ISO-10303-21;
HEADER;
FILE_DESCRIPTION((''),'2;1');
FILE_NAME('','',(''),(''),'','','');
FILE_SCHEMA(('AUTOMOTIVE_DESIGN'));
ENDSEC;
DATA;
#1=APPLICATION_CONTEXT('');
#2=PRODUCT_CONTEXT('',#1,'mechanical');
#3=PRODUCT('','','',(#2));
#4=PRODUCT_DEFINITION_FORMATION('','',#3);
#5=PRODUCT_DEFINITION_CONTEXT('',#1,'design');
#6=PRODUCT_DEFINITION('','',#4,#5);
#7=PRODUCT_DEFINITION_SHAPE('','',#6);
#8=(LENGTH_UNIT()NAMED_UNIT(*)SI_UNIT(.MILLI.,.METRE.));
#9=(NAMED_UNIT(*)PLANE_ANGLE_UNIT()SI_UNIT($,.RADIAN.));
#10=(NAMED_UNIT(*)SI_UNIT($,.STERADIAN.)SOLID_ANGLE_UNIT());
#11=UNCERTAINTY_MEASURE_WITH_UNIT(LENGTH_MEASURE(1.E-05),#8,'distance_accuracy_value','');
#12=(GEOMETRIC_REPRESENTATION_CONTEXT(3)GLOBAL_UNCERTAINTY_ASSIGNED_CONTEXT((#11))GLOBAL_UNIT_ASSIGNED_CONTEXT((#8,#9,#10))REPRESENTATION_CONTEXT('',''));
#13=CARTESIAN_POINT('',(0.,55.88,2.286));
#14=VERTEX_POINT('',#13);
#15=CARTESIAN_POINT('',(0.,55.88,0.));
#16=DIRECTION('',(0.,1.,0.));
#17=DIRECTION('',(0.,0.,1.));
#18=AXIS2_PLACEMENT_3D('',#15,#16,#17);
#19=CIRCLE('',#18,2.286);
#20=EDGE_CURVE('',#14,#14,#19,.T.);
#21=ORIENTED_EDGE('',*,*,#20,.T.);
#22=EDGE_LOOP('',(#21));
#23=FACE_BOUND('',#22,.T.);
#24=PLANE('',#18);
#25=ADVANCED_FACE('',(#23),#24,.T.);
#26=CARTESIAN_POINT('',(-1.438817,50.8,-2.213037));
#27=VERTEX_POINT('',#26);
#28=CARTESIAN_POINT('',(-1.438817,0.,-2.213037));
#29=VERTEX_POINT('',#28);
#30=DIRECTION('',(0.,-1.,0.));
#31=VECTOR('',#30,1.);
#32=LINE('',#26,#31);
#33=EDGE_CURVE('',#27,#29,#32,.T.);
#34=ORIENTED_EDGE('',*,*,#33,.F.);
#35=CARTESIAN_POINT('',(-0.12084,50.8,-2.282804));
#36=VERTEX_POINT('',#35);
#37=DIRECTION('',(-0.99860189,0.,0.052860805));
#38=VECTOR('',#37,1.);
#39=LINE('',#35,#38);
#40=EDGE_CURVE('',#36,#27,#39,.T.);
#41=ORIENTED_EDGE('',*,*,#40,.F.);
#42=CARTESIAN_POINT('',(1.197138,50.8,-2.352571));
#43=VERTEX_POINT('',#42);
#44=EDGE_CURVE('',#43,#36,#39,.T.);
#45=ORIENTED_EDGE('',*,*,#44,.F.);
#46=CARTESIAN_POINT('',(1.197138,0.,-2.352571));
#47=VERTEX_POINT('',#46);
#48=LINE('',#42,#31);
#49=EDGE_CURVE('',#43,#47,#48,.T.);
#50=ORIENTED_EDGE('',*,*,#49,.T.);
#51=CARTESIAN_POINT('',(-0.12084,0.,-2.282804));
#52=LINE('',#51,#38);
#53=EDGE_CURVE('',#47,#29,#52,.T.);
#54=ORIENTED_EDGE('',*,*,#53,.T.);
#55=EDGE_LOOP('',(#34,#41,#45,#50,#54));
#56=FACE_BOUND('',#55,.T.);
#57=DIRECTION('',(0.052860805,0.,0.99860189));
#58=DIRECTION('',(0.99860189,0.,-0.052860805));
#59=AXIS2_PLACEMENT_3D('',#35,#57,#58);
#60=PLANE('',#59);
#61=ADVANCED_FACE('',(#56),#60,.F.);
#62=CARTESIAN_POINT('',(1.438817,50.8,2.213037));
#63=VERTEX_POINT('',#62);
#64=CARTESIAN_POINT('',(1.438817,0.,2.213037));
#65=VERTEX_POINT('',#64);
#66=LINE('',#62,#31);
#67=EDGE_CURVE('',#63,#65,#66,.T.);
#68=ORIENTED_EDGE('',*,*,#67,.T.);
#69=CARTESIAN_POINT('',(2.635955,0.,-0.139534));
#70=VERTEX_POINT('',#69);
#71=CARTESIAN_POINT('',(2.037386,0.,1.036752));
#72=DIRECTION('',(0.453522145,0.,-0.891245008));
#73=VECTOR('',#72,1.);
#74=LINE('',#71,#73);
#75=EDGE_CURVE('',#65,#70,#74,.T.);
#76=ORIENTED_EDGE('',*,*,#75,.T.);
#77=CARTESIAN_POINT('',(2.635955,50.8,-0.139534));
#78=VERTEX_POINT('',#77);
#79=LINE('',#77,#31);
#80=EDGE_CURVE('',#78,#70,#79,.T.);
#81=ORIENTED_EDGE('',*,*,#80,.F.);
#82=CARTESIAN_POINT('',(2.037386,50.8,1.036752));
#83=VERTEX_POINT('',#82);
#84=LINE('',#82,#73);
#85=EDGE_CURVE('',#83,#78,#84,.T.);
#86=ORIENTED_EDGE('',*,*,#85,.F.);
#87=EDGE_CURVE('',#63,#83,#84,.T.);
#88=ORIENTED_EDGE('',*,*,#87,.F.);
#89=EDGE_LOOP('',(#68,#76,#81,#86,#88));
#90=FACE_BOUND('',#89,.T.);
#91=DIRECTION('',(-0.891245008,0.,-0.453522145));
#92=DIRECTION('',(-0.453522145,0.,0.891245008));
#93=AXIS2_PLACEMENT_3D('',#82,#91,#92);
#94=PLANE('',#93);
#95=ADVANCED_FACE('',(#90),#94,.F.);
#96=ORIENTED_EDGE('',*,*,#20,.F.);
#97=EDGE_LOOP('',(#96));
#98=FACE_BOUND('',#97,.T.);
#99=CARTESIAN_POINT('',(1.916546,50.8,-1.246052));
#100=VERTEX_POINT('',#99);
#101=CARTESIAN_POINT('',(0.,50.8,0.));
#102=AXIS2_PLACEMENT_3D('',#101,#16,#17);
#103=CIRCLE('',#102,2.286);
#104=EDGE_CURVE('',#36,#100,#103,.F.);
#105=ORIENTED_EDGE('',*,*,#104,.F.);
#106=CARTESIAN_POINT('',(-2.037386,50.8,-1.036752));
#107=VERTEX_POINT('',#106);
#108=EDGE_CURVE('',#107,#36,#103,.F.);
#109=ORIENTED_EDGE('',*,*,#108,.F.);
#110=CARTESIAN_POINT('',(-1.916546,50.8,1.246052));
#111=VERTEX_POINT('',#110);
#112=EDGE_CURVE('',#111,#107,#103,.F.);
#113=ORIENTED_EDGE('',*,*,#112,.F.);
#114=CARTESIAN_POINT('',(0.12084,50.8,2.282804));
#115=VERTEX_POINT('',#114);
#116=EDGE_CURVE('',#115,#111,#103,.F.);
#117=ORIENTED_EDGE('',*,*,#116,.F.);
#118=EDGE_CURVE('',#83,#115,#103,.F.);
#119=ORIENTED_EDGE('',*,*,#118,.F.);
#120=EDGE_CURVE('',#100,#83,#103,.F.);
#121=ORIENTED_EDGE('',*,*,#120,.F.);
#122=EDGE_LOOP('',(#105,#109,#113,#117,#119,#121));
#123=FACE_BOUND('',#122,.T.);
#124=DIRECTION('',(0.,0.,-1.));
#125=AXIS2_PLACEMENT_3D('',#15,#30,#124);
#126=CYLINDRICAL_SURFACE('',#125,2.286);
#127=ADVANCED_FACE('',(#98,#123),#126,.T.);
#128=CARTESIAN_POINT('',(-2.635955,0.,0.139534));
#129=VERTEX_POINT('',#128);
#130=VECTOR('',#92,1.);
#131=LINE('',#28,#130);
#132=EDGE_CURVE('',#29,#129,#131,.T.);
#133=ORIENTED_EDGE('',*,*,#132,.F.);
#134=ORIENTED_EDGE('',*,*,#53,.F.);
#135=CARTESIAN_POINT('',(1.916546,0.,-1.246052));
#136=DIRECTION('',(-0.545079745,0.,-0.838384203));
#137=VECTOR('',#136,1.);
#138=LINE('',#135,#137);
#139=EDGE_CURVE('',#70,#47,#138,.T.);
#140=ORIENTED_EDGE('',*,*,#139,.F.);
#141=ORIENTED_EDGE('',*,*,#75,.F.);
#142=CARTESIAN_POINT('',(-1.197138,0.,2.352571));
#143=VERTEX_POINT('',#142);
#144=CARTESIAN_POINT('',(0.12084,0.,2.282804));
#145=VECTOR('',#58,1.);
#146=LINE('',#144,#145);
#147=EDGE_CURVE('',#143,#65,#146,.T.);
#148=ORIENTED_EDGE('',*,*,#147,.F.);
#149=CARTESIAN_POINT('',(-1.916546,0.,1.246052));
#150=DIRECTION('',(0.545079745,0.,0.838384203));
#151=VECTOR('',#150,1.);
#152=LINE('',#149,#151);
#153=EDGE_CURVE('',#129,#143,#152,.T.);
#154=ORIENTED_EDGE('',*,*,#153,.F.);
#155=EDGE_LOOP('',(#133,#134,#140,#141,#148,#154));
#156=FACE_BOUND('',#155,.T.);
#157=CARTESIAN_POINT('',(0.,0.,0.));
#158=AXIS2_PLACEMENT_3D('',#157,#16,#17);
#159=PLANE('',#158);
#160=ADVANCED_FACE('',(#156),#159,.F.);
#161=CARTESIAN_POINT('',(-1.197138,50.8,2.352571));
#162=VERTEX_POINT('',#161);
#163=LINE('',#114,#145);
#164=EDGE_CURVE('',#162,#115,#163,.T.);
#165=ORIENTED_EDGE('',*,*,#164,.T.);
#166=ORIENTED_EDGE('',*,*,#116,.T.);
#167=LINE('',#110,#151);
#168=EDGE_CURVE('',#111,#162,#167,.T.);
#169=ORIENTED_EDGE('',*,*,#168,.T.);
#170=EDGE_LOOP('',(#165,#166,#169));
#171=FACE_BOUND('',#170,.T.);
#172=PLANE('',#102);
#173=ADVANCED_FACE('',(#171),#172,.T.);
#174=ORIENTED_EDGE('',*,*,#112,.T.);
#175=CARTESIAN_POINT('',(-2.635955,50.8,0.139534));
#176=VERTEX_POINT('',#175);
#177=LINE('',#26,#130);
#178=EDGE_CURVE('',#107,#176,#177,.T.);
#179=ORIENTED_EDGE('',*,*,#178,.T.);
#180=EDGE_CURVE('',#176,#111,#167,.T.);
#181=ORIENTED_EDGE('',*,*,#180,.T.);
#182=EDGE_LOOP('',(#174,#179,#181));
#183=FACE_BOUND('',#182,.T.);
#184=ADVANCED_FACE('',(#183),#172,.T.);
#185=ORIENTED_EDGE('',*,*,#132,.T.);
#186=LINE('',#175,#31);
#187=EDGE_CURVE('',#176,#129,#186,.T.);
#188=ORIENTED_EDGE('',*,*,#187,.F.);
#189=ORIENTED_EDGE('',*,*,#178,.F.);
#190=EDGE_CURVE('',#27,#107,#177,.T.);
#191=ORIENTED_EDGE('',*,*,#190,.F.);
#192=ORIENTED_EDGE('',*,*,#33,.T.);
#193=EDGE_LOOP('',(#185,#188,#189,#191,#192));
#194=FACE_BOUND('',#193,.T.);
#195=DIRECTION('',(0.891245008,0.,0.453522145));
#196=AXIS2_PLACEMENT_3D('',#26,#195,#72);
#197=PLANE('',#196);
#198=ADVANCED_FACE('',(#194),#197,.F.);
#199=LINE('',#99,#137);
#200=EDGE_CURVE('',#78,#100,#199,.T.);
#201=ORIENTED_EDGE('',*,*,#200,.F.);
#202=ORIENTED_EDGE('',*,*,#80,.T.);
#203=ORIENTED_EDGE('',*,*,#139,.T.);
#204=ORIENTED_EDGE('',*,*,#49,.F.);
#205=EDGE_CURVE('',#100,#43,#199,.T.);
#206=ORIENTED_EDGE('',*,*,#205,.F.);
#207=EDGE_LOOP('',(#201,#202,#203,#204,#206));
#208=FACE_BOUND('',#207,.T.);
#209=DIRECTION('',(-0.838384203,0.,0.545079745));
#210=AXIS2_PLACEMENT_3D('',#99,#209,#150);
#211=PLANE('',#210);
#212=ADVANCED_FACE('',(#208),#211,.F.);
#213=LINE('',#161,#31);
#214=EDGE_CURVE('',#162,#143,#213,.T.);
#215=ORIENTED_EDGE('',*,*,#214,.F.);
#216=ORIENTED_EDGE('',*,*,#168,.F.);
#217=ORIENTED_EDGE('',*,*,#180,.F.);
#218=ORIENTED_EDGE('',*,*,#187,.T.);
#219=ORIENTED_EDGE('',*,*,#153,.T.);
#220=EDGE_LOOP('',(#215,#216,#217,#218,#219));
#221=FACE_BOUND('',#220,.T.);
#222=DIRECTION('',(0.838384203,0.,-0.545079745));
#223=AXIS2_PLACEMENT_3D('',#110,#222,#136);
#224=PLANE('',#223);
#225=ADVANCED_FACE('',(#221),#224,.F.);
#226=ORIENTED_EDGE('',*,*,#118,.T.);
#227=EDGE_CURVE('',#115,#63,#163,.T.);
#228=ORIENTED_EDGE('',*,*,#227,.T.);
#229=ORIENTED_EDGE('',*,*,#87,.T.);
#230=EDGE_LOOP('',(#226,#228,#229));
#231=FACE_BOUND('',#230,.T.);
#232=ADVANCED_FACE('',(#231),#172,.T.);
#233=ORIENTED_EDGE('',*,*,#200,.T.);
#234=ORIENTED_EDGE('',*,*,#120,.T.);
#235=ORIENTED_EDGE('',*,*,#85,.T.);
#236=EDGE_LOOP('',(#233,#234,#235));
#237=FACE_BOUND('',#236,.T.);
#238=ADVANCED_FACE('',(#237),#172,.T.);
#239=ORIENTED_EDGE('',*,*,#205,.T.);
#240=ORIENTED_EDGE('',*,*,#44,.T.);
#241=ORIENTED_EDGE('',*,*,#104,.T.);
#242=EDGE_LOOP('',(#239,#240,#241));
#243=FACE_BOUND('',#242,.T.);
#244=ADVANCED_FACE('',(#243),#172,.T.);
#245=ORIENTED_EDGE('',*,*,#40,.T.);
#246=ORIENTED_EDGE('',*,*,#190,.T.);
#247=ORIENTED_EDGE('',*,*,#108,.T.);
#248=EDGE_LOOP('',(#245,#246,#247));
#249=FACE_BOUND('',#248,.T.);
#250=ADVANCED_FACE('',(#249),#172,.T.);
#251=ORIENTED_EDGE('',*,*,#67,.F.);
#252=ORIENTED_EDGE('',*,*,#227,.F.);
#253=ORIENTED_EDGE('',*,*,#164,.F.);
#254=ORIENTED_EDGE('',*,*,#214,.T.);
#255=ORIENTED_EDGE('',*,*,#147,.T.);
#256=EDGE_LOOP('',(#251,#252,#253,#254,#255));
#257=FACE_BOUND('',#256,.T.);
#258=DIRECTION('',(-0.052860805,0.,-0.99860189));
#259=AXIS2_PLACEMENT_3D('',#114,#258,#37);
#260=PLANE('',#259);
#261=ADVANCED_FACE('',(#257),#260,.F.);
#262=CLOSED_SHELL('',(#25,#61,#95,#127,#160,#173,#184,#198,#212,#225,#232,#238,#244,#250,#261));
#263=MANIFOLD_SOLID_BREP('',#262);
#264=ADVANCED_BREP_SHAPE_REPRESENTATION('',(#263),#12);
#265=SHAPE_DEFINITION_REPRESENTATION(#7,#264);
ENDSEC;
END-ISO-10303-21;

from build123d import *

# Parameters (mm, degrees)
BOSS_EXTRUDE1_DEPTH = 50.8
SKETCH1_3_R         = 2.286
BOSS_EXTRUDE2_DEPTH = 55.88


with BuildPart() as part:
    # Sketch1 → Boss-Extrude1 (new body)
    with BuildSketch(Plane(origin=(0, 0, 0), x_dir=(1, 0, 0), z_dir=(0, 1, 0))):
        Polygon((1.43881726, -2.213037029), (2.635954917, 0.139533783), (1.197137657, 2.352570813), (-1.43881726, 2.213037029), (-2.635954917, -0.139533783), (-1.197137657, -2.352570813), align=None)
    extrude(amount=BOSS_EXTRUDE1_DEPTH)

    # Sketch1<3> → Boss-Extrude2 (add)
    with BuildSketch(Plane(origin=(0, 0, 0), x_dir=(1, 0, 0), z_dir=(0, 1, 0))):
        Circle(SKETCH1_3_R)
    extrude(amount=BOSS_EXTRUDE2_DEPTH)


solid = part.part
